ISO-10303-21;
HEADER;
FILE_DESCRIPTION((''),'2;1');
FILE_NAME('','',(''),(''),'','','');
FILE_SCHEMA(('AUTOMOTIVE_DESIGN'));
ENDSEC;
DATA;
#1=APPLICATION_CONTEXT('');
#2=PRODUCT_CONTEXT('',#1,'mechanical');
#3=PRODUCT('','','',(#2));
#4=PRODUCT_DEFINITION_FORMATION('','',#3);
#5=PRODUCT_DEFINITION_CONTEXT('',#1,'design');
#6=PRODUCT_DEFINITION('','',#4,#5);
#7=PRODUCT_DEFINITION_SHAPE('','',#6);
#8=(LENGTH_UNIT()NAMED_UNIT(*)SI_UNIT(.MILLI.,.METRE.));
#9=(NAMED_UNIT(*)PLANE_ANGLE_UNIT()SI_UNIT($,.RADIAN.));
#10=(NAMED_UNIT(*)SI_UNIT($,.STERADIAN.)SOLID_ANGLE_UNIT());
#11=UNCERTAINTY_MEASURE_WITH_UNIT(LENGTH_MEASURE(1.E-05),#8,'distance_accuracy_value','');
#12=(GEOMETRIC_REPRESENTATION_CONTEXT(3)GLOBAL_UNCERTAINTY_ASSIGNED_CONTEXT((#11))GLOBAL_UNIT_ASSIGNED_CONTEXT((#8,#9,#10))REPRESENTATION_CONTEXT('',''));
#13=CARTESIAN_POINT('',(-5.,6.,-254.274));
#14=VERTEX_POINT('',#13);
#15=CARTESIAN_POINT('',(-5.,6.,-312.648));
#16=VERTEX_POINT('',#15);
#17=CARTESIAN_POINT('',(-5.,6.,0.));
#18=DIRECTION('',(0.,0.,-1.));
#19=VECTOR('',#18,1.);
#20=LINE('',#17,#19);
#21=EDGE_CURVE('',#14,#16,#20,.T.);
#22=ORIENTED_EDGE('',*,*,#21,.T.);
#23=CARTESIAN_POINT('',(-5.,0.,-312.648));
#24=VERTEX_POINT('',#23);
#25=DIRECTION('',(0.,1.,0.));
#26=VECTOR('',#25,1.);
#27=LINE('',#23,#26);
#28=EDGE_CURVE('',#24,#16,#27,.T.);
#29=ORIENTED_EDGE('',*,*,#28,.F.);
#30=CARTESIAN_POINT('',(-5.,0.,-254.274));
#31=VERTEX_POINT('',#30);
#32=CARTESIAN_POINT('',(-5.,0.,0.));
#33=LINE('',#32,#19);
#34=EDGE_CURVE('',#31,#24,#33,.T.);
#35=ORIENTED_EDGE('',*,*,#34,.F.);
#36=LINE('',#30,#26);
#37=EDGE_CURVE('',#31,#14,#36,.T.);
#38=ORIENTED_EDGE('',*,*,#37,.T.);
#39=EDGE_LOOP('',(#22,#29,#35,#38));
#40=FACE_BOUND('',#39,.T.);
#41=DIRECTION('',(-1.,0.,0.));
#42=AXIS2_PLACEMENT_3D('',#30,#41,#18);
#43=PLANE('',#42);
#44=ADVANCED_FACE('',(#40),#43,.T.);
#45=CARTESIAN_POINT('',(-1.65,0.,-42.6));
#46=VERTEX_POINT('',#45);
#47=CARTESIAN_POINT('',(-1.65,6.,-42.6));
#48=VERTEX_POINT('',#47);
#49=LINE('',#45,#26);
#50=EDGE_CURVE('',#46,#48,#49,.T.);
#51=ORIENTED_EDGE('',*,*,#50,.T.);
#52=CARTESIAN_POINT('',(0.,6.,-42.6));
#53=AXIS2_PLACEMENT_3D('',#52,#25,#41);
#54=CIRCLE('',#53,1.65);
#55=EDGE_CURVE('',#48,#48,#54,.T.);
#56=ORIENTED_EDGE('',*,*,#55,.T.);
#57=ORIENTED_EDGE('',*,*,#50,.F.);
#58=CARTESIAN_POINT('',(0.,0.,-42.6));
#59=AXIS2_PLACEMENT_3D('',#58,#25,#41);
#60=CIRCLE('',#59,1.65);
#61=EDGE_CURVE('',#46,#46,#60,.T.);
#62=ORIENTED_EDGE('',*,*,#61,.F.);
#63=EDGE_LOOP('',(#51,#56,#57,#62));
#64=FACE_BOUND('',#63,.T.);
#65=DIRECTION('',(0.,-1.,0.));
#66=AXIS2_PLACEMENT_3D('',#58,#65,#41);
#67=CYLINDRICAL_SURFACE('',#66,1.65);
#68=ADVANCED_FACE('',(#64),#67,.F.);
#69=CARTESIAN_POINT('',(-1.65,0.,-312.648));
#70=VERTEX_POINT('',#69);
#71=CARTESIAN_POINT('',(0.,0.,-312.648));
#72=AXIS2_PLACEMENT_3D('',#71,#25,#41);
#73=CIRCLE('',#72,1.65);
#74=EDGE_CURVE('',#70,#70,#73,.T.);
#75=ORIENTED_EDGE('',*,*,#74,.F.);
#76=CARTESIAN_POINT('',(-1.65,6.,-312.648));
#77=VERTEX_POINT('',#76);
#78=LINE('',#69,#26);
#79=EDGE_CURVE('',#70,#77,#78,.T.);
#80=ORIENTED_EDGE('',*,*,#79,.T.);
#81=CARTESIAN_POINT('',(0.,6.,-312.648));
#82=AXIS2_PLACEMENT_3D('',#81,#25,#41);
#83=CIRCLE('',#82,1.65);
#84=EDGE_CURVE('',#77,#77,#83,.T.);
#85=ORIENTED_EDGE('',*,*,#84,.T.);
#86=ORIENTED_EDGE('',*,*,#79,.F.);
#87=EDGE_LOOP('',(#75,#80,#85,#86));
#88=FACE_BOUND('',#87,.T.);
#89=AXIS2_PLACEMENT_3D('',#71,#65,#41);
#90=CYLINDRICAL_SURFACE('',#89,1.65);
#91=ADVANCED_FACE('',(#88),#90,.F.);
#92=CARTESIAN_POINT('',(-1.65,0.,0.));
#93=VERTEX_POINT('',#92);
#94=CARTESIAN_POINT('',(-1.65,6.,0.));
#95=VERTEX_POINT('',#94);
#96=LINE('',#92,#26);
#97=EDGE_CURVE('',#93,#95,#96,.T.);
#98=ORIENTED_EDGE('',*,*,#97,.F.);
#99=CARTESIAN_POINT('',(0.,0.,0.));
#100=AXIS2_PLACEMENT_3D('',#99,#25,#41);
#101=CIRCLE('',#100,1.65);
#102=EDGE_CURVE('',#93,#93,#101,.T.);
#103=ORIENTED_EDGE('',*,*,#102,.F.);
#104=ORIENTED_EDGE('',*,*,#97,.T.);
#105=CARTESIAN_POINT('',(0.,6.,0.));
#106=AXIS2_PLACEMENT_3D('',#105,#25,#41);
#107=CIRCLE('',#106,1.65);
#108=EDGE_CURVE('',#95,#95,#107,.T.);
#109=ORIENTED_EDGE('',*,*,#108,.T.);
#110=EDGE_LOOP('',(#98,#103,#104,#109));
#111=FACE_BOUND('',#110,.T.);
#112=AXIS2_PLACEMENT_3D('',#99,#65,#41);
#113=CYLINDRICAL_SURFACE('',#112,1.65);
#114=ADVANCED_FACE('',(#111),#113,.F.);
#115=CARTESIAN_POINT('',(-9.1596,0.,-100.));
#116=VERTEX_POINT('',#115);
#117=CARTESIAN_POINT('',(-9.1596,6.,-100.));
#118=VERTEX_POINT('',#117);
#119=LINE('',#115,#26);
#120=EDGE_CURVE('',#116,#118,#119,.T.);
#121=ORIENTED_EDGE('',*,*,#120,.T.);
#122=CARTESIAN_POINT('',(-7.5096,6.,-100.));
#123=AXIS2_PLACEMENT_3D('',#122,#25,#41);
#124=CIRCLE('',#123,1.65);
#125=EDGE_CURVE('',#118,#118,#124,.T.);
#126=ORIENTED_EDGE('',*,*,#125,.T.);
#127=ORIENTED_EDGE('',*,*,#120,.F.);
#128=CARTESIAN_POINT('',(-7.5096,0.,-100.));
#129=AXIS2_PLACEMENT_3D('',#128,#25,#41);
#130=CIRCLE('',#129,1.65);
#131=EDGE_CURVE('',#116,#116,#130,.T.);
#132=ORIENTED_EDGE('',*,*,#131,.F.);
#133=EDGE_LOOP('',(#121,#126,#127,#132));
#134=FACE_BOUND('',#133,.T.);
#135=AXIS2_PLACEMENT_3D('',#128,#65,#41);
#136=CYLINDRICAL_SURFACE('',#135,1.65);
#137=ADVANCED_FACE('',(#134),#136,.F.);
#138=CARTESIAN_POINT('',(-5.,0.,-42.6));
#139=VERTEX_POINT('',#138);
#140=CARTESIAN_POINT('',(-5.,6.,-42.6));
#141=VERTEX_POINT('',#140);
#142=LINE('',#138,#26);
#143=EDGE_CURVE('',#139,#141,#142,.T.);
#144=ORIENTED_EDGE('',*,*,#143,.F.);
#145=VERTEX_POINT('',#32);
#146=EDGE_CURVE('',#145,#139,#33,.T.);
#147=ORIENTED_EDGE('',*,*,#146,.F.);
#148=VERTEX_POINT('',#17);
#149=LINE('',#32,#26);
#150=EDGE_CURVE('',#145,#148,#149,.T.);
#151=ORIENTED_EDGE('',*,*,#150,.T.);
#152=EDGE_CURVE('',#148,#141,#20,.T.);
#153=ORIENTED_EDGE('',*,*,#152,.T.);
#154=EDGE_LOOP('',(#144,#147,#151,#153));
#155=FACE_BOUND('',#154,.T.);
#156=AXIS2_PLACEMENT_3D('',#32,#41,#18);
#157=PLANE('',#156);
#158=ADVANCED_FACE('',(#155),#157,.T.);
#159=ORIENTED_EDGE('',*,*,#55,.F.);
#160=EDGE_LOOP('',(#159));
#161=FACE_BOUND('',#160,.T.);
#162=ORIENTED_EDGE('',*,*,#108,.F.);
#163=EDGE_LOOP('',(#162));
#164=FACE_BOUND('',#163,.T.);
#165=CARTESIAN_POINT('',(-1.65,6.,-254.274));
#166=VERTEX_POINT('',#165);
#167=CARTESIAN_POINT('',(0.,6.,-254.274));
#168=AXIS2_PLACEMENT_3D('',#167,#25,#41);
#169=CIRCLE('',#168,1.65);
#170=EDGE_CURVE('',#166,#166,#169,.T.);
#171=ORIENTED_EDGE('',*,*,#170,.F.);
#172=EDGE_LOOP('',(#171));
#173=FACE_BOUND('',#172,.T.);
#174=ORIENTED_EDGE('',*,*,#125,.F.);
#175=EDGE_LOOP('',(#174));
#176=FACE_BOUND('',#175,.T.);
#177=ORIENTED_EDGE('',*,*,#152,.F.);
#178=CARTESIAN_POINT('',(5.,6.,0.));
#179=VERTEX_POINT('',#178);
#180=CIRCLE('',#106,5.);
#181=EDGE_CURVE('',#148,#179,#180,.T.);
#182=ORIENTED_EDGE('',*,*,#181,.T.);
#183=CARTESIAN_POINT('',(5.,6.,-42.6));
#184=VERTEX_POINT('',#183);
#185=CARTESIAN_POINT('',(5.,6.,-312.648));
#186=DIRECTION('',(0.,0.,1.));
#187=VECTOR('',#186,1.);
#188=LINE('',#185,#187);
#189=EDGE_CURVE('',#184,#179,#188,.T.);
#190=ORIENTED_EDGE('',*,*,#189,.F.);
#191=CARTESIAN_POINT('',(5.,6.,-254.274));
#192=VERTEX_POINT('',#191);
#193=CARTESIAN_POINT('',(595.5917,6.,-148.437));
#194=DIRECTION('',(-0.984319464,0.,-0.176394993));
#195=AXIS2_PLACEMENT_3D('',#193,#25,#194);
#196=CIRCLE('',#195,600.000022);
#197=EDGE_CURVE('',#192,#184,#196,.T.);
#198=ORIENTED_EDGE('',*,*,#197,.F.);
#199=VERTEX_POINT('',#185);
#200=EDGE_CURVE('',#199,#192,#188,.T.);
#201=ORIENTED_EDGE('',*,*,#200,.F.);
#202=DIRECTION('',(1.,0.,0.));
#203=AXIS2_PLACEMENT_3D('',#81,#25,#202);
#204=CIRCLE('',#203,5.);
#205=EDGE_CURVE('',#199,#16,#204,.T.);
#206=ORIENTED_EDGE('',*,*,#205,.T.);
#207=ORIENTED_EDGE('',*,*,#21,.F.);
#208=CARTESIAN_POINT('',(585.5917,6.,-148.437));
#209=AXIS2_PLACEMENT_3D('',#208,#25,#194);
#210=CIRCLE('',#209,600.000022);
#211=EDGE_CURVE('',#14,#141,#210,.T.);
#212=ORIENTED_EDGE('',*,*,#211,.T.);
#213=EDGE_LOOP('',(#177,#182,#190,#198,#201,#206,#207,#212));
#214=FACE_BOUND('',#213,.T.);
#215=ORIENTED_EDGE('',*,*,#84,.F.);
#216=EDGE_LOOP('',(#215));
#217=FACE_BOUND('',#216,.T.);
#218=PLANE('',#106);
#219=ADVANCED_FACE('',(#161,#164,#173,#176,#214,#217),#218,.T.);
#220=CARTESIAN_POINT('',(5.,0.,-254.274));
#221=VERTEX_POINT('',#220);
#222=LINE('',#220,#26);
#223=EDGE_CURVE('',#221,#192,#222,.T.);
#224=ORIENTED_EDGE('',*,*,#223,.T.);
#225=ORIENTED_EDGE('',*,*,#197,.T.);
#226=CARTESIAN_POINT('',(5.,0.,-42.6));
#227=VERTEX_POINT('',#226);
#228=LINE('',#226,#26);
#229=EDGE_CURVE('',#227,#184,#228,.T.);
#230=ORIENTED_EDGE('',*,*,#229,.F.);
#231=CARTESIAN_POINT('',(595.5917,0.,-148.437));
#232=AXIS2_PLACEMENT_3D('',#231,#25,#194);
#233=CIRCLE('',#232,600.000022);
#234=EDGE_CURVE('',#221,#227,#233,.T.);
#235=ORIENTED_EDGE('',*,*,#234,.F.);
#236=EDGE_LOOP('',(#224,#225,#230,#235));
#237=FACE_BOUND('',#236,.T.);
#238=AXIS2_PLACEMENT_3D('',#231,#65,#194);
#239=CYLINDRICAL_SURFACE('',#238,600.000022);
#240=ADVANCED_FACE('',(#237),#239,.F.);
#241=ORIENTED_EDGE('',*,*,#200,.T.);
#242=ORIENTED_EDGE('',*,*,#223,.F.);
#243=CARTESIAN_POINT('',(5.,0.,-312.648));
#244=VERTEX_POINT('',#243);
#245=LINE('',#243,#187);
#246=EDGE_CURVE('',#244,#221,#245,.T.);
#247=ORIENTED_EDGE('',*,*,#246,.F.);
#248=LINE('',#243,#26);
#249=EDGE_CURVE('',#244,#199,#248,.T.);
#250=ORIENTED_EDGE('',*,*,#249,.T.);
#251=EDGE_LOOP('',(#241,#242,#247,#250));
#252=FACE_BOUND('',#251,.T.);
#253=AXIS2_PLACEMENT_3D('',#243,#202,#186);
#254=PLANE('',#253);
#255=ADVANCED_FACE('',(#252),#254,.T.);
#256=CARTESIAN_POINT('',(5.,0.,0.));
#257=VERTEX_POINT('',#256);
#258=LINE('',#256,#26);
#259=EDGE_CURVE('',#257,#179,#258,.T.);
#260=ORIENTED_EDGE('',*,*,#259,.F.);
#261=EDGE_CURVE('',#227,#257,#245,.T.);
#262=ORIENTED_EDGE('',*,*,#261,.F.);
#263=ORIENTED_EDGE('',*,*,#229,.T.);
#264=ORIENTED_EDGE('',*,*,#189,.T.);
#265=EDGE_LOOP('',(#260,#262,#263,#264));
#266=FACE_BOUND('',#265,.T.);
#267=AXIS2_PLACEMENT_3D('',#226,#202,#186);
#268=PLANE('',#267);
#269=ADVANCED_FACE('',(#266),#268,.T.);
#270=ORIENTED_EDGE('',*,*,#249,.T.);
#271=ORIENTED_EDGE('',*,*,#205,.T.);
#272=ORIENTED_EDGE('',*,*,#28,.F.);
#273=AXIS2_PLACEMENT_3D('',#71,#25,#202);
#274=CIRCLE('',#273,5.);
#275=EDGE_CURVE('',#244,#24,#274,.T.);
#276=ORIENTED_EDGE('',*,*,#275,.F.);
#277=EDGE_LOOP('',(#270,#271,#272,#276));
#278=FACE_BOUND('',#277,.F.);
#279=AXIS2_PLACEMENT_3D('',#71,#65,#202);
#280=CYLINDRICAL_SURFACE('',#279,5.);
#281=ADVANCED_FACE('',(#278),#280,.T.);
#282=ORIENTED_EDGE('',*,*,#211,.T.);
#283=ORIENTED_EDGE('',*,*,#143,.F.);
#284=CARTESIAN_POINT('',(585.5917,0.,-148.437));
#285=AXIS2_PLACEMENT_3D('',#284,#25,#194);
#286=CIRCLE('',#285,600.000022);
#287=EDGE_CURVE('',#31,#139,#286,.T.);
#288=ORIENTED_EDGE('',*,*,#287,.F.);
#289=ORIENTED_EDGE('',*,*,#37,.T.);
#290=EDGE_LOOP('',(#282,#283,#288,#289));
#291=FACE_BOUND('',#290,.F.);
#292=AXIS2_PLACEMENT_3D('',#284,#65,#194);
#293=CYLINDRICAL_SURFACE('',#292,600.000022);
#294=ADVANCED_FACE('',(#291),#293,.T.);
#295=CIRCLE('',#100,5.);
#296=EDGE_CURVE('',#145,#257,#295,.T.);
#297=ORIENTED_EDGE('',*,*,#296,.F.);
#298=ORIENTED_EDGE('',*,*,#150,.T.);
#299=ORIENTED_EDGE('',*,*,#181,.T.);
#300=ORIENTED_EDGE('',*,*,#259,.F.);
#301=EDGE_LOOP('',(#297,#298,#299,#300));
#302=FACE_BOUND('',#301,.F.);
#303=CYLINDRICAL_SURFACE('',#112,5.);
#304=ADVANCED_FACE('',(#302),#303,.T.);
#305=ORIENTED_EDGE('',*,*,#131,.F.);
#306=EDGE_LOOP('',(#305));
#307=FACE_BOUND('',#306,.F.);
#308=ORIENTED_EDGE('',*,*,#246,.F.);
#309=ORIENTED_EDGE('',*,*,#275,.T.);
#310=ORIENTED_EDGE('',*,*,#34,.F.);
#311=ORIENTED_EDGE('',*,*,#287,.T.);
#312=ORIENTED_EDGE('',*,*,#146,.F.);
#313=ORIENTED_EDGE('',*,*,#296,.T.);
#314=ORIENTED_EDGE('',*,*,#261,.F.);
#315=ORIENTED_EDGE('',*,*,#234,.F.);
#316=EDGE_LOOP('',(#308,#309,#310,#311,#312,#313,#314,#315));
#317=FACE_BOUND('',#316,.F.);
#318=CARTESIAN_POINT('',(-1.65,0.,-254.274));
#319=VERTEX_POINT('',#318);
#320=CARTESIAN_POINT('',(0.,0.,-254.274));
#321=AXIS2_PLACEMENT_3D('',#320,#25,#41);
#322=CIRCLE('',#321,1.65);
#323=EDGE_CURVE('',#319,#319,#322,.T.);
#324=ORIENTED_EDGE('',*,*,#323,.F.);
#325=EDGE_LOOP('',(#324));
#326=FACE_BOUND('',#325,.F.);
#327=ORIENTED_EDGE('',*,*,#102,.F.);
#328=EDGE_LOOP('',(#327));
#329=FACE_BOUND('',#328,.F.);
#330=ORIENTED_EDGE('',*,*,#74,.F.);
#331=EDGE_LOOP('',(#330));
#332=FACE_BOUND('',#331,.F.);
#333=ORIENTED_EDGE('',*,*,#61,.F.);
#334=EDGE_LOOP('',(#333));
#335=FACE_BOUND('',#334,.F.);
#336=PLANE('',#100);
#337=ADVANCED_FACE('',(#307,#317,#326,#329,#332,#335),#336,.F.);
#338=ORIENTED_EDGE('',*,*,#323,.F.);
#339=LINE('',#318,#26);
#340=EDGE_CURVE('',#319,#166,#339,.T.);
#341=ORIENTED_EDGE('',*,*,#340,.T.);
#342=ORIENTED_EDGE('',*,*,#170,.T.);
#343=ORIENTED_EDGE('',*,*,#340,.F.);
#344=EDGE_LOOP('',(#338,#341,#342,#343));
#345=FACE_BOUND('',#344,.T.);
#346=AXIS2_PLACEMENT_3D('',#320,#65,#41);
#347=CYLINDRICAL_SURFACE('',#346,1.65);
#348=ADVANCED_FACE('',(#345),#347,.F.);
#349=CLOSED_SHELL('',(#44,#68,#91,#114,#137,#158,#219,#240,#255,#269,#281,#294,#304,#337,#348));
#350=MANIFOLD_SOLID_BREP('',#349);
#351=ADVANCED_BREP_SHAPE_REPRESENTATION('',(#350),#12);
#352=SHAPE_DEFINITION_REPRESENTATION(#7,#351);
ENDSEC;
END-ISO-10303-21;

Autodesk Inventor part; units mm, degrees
ref_plane "YZ Plane" through (0, 0, 0) normal (1, 0, 0) x (0, 1, 0)
ref_plane "XZ Plane" through (0, 0, 0) normal (0, 1, 0) x (-1, 0, 0)
ref_plane "XY Plane" through (0, 0, 0) normal (0, 0, 1) x (1, 0, 0)
sketch "Sketch1" plane through (0, 0, 0) normal (0, 1, 0) x (-1, 0, 0)
  line L0 (0, 0) -> (0, -312.648) construction
  line L1 (5, 0) -> (5, -312.648)
  line L2 (-5, -312.648) -> (-5, 0)
  arc A0 (5, 0) -> (-5, 0) centre (0, 0) ccw
  arc A1 (-5, -312.648) -> (5, -312.648) centre (0, -312.648) ccw
  circle A2 centre (0, 0) radius 1.65
  circle A3 centre (0, -312.648) radius 1.65
  circle A4 centre (0, -42.6) radius 1.65
  circle A5 centre (0, -254.274) radius 1.65
  arc A6 (5, -254.274) -> (5, -42.6) centre (-585.5917, -148.437) ccw
  arc A7 (-5, -254.274) -> (-5, -42.6) centre (-595.5917, -148.437) ccw
  circle A8 centre (7.5096, -100) radius 1.65
  point P0 (0, -156.324)
  dimension "d0" = 3.3
  dimension "d1" = 3.3
  dimension "d2" = 10
  dimension "d3" = 312.648
  dimension "d10" = 3.3
  dimension "d11" = 42.6
  dimension "d12" = 3.3
  dimension "d13" = 254.274
  dimension "d16" = 600
  dimension "d17" = 600
  dimension "d18" = 3.3
  dimension "d19" = 100
extrude "Extrusion1" add sketch "Sketch1" along normal blind 6 contours L1 A1 L2 A7 A0 | A6 L1
